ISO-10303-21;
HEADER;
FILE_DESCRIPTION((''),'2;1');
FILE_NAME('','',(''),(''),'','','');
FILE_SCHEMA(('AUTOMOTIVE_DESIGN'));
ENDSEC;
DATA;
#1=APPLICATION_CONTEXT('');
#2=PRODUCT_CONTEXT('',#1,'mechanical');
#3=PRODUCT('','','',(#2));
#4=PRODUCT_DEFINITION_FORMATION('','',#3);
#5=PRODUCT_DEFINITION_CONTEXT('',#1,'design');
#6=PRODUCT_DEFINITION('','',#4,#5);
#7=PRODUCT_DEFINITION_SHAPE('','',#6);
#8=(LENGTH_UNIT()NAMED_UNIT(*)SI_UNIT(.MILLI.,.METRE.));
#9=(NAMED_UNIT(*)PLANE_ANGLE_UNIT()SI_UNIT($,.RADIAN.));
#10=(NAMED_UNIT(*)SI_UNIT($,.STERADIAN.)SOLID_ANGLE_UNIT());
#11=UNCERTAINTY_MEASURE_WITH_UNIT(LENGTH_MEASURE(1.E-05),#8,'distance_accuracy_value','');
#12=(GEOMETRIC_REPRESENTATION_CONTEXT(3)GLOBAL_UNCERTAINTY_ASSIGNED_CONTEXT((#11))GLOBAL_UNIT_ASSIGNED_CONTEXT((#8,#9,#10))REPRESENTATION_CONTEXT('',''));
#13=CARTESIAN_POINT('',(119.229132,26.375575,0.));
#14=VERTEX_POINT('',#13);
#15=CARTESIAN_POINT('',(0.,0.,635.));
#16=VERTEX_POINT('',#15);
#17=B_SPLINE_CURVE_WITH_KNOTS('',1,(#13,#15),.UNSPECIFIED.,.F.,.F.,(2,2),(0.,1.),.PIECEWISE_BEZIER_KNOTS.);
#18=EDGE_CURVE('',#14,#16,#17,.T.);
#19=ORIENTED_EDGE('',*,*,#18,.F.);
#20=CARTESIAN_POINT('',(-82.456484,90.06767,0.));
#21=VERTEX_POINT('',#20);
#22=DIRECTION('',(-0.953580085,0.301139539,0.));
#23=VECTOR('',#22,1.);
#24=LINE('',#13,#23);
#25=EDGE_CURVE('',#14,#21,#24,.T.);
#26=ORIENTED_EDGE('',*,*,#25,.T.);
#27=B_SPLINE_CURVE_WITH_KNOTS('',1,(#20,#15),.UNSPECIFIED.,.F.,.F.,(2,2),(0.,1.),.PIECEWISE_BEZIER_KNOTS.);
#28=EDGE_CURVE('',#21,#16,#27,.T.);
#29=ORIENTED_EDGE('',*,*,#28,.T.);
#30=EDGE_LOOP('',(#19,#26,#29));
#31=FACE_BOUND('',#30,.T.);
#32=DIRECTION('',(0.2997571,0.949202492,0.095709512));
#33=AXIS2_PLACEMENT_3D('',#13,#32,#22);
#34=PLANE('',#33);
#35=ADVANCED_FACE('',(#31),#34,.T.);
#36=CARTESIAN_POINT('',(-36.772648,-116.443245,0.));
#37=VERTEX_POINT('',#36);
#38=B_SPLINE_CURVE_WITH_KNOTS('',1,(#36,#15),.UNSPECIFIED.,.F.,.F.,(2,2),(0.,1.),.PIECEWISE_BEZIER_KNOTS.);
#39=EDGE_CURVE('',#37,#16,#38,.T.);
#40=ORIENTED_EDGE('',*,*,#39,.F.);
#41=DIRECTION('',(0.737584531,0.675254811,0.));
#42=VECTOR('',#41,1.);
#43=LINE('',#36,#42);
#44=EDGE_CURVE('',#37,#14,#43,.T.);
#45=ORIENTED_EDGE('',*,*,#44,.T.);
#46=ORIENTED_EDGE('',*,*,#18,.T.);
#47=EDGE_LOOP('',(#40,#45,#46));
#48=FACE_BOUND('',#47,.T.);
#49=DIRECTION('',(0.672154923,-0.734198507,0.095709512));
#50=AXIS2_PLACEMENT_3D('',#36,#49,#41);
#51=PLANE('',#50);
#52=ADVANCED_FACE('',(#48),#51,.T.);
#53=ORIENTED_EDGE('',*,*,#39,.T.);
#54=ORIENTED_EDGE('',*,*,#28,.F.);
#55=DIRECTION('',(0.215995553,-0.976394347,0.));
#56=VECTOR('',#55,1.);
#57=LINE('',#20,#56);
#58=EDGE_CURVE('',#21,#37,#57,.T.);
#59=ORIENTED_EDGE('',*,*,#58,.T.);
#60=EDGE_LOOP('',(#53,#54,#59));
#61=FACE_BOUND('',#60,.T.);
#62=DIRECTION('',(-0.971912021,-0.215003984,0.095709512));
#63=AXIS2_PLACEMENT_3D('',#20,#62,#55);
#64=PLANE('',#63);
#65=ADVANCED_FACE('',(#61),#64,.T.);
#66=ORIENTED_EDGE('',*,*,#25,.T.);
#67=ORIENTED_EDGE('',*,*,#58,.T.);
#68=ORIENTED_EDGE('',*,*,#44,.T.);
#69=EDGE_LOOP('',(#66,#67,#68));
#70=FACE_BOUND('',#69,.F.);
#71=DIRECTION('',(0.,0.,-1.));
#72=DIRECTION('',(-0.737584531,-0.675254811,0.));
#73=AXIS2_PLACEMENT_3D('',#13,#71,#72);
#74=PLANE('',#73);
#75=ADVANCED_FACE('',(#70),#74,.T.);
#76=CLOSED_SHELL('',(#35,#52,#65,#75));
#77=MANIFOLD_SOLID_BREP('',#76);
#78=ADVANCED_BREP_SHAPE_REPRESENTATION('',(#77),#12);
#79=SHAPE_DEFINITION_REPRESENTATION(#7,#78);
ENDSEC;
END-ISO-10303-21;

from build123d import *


with BuildPart() as f3:
    # F0 (on Top) → F3 section 0
    with BuildSketch(Plane.XY, mode=Mode.PRIVATE) as f3_s0:
        Polygon((119.229132, 26.375575), (-82.456484, 90.06767), (-36.772648, -116.443245), align=None)
    loft([f3_s0.sketch, Vertex(0, 0, 635)])


solid = f3.part
